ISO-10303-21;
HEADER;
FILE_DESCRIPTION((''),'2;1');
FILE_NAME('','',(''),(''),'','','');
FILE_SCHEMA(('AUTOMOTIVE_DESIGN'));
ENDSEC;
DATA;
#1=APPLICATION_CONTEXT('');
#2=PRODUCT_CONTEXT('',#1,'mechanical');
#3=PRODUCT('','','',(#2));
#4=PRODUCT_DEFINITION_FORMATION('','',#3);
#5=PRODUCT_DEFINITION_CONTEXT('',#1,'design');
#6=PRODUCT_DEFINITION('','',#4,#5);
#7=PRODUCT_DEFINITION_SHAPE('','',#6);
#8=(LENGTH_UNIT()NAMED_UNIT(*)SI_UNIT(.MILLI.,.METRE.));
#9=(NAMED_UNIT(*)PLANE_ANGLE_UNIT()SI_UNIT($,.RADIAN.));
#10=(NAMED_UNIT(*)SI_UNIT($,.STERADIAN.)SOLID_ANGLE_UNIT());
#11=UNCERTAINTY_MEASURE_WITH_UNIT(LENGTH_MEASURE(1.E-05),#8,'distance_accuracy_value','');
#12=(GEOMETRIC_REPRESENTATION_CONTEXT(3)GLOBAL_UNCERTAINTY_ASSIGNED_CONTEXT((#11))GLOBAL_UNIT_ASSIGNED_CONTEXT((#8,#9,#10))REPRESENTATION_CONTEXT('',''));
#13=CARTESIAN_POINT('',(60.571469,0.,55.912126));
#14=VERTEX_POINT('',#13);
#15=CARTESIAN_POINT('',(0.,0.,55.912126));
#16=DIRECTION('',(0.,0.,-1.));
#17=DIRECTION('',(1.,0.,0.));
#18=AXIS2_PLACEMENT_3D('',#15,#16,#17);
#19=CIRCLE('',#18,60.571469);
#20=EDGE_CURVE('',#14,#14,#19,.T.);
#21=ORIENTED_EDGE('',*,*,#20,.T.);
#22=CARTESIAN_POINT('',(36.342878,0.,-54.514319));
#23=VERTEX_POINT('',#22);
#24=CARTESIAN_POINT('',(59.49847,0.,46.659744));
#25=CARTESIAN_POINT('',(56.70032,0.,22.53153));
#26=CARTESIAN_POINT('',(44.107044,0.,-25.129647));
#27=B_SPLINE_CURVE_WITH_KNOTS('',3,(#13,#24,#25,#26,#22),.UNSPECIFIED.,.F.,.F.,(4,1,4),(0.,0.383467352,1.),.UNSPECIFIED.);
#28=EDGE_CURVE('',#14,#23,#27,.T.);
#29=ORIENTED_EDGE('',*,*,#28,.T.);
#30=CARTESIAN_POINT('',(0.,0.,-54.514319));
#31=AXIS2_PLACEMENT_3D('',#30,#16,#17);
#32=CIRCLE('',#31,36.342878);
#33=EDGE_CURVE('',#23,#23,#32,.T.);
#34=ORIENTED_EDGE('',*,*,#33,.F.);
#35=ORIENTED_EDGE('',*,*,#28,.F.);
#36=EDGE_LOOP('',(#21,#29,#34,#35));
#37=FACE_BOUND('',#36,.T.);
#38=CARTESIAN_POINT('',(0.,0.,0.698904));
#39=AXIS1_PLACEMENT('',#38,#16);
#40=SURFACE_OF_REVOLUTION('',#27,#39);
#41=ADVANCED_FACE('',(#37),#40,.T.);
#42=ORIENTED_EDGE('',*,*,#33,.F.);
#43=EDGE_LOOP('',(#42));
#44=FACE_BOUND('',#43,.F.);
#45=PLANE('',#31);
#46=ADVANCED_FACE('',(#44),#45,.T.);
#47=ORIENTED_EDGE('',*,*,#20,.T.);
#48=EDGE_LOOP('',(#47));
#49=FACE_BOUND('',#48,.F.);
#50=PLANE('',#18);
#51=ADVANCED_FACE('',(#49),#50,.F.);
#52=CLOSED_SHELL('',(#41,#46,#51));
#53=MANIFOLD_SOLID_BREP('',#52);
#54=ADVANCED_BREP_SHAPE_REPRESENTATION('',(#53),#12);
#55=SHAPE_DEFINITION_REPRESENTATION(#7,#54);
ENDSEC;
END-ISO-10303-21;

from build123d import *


with BuildPart() as f1:
    # F0 (on Front) → F1 (revolve)
    with BuildSketch(Plane.XZ):
        with BuildLine():
            Line((60.5714693666, 55.9121258557), (0, 55.9121258557))
            Line((0, 55.9121258557), (0, -54.5143187046))
            Line((0, -54.5143187046), (36.3428778946, -54.5143187046))
            add(Edge.make_bspline(
                [(60.5714693666, 55.9121258557), (59.4984701938, 46.6597437373), (56.7003201879, 22.5315302793), (44.1070438839, -25.1296469135), (36.3428778946, -54.5143187046)],
                knots=[0, 0, 0, 0, 0.3834673518, 1, 1, 1, 1], degree=3))
        make_face()
    revolve(axis=Axis((0, 0, 0.6989035755), (0, 0, -1)))


solid = f1.part
